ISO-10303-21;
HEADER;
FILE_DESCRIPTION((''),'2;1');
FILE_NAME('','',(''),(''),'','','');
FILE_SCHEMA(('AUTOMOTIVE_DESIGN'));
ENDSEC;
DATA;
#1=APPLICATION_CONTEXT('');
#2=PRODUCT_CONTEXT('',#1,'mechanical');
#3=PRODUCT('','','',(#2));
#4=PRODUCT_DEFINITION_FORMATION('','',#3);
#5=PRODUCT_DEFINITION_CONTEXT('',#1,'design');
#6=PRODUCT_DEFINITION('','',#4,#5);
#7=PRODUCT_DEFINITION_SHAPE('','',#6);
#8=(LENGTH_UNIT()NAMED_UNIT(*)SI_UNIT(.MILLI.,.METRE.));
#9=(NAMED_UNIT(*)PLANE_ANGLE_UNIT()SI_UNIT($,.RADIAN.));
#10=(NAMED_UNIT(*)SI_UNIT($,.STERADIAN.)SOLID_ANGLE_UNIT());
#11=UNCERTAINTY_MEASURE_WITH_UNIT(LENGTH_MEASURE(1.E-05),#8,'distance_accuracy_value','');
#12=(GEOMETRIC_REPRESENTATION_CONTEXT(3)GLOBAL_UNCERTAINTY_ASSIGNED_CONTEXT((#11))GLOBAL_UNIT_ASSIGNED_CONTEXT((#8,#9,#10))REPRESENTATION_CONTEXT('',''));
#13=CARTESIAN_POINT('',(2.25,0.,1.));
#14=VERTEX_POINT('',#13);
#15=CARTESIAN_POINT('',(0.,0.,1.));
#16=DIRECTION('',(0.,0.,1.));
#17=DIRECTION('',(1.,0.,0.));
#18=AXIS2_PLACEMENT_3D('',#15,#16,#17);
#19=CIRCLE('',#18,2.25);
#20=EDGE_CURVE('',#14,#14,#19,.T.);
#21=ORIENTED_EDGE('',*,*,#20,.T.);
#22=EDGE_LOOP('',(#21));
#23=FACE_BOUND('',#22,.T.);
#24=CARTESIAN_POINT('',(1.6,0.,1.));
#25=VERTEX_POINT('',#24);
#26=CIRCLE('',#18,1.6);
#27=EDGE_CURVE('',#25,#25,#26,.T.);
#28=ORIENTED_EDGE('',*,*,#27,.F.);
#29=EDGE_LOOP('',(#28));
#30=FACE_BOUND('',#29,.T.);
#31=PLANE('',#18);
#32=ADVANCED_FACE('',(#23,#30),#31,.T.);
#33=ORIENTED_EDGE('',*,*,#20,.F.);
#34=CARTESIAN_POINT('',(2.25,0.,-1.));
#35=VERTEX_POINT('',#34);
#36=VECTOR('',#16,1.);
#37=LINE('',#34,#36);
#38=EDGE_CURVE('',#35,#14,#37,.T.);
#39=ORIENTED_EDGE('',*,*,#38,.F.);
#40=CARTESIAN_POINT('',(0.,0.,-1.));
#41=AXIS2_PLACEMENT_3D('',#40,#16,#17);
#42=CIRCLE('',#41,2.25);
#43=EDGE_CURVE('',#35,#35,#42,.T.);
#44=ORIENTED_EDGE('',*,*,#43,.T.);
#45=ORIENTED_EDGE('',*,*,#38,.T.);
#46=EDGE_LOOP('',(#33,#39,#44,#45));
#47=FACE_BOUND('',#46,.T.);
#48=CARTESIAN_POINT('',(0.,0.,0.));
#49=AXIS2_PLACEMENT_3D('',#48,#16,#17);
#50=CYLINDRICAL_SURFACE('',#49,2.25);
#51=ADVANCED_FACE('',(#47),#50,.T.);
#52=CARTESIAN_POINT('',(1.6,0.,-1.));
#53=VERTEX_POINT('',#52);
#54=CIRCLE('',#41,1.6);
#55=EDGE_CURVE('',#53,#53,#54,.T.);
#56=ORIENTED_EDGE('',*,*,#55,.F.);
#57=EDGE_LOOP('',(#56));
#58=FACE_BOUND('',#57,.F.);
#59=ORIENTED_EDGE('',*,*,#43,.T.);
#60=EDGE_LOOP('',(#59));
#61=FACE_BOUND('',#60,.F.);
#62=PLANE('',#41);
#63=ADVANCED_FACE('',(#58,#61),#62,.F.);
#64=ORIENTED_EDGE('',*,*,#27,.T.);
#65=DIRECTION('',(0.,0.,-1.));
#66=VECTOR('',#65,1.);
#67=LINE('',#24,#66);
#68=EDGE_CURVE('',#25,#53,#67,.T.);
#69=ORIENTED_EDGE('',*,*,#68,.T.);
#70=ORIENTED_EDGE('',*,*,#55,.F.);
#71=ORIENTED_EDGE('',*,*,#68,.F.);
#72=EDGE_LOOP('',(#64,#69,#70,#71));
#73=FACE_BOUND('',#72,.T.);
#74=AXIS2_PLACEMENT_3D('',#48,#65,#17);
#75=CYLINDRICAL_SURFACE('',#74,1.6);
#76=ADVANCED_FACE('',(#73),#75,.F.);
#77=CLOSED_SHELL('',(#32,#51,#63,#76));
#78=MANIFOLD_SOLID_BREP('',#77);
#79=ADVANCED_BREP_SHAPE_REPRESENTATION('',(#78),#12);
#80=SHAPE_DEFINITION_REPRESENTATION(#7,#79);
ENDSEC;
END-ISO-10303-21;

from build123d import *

# Parameters (mm, degrees)
SKETCH1_R      = 2.25
SKETCH1_R_2    = 1.6
EXTRUDE1_DEPTH = 1


with BuildPart() as part:
    # Sketch1 → Extrude1 (new body, symmetric)
    with BuildSketch(Plane.XY):
        Circle(SKETCH1_R)
        Circle(SKETCH1_R_2, mode=Mode.SUBTRACT)
    extrude(amount=EXTRUDE1_DEPTH, both=True)


solid = part.part
